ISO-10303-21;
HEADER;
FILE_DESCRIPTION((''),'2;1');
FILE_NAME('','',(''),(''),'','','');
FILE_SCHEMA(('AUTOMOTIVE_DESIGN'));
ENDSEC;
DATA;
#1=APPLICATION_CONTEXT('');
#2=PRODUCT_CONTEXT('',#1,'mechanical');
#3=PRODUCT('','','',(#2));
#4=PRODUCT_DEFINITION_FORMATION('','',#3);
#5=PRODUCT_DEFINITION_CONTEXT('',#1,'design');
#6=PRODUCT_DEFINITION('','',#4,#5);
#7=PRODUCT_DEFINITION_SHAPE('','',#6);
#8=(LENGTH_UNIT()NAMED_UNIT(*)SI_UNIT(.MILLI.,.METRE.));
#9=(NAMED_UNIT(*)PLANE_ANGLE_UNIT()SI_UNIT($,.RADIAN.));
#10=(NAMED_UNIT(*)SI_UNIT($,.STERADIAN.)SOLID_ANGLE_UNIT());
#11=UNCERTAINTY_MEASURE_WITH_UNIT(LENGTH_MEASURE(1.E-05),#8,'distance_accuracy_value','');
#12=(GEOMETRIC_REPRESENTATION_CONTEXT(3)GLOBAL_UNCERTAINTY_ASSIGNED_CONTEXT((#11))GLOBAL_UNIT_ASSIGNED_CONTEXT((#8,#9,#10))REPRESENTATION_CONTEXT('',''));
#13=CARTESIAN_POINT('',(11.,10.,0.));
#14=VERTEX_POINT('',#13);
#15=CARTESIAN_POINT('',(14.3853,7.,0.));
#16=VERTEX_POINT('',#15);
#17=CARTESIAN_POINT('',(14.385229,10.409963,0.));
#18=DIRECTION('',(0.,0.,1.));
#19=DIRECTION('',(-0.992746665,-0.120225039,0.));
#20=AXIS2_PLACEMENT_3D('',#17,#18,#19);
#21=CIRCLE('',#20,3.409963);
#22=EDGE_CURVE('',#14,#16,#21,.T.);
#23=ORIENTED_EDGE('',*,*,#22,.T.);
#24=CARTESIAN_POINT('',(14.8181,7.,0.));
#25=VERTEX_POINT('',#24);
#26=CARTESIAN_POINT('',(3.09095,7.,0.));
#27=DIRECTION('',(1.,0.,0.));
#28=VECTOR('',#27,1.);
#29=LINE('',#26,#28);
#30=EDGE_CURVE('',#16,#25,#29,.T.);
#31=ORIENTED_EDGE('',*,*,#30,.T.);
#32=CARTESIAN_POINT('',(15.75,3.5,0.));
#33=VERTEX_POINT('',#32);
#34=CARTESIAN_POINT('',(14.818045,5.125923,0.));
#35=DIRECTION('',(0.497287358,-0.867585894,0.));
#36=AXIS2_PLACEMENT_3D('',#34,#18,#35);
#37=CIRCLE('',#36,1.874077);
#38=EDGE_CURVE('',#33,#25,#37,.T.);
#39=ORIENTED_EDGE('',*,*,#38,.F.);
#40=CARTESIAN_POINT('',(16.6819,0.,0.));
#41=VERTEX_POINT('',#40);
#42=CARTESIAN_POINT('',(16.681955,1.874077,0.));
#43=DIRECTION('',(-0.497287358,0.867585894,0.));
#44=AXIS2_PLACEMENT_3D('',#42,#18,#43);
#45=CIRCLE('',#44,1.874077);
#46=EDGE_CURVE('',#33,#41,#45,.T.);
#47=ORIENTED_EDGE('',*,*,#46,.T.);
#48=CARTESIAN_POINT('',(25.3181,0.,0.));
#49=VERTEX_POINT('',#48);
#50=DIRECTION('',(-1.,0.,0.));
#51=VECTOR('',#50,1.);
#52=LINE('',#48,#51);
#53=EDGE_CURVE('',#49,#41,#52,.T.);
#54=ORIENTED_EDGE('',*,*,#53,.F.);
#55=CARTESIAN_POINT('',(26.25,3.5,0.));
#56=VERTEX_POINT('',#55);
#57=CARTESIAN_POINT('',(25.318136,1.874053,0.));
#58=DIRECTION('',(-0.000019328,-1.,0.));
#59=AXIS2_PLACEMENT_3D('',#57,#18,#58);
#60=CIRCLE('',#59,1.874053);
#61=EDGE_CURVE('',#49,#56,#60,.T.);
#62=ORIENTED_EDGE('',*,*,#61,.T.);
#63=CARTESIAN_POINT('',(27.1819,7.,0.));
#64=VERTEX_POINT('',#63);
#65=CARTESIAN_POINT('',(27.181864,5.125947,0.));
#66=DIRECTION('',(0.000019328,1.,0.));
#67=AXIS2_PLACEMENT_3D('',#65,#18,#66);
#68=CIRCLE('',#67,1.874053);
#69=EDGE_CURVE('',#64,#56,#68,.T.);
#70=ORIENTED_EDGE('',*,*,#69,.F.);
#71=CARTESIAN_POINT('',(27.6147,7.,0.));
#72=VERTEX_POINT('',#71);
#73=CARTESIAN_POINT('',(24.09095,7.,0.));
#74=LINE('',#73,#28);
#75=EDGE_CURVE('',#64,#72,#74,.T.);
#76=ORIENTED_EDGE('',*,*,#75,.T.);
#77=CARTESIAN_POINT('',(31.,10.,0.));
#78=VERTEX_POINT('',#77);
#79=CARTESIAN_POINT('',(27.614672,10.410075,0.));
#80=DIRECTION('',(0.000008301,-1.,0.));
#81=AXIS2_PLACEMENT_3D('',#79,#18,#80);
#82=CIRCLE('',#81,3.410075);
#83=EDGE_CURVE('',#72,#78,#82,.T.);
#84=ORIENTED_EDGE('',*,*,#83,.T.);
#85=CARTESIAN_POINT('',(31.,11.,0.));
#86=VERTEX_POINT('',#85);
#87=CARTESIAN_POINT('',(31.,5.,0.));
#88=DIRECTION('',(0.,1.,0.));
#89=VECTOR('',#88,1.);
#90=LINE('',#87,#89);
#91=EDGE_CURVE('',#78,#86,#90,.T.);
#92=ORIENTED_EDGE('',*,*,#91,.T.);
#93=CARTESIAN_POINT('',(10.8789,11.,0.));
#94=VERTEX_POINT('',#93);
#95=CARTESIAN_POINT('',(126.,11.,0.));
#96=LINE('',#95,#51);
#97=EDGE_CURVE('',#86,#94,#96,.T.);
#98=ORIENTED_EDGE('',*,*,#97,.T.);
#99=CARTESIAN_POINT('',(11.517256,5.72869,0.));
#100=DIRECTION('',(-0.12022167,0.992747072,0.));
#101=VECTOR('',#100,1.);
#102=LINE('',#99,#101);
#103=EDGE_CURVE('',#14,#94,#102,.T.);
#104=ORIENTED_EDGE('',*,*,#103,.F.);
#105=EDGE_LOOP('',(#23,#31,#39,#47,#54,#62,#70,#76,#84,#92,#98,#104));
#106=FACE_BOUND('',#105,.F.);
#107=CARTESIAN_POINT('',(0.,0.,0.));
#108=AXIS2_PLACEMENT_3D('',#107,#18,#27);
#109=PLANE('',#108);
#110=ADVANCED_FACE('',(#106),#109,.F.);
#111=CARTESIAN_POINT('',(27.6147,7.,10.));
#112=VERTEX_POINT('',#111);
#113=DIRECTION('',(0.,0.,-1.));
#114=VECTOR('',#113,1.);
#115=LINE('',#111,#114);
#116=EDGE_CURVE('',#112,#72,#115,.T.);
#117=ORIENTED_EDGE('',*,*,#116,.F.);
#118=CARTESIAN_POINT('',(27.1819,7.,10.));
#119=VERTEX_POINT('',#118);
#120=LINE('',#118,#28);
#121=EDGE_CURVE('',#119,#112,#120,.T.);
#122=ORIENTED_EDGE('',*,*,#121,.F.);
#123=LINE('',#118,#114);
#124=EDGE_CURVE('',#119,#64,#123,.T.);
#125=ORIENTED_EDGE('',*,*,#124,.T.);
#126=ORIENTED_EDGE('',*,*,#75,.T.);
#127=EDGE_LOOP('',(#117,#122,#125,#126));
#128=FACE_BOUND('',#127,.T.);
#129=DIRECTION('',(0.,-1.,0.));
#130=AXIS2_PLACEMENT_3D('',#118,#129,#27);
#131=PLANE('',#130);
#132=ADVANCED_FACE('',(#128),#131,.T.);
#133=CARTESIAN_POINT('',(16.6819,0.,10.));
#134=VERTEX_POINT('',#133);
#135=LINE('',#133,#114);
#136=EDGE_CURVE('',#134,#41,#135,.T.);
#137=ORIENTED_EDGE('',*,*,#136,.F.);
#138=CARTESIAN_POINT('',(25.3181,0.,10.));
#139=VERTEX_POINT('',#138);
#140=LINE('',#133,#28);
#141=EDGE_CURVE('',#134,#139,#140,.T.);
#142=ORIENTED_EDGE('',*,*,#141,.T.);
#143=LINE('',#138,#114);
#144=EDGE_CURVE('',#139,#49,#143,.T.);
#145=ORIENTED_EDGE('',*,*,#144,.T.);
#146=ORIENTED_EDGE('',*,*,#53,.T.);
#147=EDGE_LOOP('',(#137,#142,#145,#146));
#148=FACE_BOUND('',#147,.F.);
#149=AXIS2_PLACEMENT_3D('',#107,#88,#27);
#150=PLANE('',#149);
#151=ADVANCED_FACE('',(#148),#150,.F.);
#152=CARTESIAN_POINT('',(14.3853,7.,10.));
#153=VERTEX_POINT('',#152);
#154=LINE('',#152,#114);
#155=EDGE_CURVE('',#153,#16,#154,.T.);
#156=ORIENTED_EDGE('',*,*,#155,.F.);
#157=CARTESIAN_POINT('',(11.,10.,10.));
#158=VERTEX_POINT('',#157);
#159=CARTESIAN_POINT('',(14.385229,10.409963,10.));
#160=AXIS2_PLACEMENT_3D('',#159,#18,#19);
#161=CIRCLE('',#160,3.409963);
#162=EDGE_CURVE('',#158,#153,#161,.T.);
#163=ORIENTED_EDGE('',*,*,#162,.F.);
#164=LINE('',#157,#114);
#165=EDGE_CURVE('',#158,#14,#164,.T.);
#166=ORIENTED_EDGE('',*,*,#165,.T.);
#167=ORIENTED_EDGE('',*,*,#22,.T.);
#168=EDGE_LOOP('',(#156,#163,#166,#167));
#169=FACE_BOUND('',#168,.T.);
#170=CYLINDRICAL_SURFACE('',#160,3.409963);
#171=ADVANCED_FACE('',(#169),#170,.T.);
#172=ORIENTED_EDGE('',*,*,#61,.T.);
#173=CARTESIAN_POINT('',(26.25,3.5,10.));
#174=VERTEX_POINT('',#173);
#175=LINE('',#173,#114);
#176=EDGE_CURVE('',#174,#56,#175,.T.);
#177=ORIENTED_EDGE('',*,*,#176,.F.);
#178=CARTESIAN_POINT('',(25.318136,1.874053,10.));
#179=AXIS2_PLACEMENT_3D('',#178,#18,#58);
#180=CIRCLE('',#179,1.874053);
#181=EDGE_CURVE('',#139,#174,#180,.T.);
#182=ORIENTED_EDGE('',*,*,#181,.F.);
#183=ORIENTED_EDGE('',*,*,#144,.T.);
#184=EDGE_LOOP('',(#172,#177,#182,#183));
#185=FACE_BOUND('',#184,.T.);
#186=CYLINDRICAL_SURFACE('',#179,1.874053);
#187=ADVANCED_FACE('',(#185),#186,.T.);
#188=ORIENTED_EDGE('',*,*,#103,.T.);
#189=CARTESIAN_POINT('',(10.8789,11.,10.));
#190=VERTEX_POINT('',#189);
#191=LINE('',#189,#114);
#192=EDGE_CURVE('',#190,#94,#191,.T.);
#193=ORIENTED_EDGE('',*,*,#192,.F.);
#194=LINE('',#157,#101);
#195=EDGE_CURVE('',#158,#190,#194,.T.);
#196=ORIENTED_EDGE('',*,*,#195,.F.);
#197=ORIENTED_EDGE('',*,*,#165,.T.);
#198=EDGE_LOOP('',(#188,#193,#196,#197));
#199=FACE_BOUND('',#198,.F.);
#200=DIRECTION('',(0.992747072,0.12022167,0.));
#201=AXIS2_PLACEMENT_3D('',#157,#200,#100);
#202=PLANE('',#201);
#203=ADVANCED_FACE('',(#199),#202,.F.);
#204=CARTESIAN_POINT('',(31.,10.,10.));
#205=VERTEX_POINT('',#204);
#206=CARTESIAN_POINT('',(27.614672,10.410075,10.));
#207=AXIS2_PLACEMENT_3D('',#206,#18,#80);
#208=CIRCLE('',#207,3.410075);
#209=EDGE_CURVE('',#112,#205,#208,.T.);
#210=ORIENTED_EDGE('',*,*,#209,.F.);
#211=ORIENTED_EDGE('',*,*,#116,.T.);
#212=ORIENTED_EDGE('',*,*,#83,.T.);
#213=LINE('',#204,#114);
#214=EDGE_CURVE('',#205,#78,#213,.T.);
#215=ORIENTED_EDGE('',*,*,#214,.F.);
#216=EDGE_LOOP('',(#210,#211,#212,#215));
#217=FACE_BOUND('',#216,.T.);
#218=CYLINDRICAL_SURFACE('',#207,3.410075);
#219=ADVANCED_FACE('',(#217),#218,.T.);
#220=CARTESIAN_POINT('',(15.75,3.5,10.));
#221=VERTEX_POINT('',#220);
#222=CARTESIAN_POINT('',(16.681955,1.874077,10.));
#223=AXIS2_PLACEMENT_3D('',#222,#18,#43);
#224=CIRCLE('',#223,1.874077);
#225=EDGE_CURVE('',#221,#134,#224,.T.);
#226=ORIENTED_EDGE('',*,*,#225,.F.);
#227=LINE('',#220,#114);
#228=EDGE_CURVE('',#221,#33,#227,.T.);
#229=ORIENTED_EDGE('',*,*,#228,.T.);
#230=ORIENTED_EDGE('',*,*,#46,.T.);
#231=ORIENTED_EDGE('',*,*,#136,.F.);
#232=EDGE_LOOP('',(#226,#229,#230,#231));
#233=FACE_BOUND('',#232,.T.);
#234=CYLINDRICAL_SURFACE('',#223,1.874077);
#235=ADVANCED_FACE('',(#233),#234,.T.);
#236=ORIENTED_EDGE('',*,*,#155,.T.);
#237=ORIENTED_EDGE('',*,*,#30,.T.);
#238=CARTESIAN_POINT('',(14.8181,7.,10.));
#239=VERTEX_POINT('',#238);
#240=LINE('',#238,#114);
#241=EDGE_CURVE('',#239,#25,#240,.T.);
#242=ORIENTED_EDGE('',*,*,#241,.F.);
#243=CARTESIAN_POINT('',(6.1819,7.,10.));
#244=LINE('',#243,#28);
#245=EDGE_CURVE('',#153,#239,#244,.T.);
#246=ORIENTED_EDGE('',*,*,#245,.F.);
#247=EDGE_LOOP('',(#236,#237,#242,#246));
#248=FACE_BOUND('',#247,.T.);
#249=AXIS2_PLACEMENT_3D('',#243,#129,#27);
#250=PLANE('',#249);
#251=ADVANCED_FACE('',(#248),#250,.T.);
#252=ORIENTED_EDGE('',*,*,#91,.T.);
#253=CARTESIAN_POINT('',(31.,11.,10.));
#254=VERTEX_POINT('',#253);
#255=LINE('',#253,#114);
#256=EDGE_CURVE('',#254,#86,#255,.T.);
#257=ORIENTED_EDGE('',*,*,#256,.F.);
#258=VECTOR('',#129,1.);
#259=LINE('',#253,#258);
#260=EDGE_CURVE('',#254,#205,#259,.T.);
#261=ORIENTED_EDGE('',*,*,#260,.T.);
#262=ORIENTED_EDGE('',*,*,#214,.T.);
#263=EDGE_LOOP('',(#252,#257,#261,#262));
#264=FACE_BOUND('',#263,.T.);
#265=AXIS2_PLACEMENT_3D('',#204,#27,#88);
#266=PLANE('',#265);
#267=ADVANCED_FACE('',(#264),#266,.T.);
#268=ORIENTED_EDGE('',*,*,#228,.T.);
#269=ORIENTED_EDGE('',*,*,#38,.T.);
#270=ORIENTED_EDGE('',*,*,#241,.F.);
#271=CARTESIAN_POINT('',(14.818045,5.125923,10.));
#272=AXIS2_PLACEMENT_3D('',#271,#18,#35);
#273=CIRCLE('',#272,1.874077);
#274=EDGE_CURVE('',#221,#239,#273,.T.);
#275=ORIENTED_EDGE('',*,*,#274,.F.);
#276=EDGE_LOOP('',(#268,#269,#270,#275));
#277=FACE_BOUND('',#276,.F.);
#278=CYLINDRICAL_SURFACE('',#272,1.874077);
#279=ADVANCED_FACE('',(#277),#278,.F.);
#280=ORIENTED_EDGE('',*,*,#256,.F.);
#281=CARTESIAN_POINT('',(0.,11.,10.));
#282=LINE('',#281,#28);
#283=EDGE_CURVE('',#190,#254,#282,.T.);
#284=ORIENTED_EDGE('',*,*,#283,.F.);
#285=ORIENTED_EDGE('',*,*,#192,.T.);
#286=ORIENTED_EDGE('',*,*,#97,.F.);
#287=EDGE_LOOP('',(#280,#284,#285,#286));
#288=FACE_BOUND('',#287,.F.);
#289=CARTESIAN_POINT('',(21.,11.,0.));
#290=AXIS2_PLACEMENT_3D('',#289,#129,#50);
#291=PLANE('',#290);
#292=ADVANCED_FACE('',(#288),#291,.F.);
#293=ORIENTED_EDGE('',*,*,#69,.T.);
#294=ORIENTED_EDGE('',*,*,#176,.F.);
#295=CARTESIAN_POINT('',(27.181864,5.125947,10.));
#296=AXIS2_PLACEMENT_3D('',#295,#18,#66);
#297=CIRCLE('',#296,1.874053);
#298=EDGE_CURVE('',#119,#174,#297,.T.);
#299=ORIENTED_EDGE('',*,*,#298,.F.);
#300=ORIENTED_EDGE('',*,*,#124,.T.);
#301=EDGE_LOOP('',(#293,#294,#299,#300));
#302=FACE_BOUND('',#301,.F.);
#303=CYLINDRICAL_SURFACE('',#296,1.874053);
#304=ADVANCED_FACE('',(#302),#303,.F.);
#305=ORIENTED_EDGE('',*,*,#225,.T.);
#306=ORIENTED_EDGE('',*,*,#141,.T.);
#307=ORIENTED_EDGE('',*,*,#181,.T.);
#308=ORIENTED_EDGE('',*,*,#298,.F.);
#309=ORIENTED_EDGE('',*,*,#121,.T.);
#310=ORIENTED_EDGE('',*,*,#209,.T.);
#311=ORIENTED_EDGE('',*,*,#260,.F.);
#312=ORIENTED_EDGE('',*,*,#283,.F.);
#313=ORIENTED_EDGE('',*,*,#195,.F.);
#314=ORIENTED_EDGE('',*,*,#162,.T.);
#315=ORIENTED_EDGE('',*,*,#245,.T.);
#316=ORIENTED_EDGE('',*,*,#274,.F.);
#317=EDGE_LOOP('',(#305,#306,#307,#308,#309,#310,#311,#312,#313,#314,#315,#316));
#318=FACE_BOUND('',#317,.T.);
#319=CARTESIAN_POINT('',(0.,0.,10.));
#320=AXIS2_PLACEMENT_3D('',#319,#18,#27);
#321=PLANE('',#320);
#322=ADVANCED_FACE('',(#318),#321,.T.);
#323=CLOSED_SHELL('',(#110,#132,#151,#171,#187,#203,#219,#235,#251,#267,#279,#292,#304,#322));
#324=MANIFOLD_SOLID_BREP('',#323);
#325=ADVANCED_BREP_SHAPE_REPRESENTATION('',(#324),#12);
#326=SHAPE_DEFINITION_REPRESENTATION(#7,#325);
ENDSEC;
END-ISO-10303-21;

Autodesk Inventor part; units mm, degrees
ref_plane "YZ Plane" through (0, 0, 0) normal (1, 0, 0) x (0, 1, 0)
ref_plane "XZ Plane" through (0, 0, 0) normal (0, 1, 0) x (-1, 0, 0)
ref_plane "XY Plane" through (0, 0, 0) normal (0, 0, 1) x (1, 0, 0)
sketch "Sketch1" plane through (0, 0, 0) normal (0, 0, 1) x (1, 0, 0)
  line L0 (0, 0) -> (21, 0)
  line L1 (21, 0) -> (21, 11)
  line L2 (21, 11) -> (0, 11)
  line L3 (0, 11) -> (0, 0)
  dimension "d0" = 21
  dimension "d1" = 11
extrude "Extrusion1" add sketch "Sketch1" along normal blind 10
sketch "Sketch2" plane through (0, 0, 10) normal (0, 0, 1) x (1, 0, 0)
  line L0 (0, 0) -> (21, 0) projected
  arc A0 (4.3181, 0) -> (5.25, 3.5) centre (4.3181, 1.8741) ccw
  arc A1 (6.1819, 7) -> (5.25, 3.5) centre (6.1819, 5.1259) ccw
  arc A2 (15.75, 3.5) -> (16.6819, 0) centre (16.6819, 1.8741) ccw
  arc A3 (15.75, 3.5) -> (14.8181, 7) centre (14.8181, 5.1259) ccw
  line L1 (6.1819, 7) -> (14.8181, 7)
  line L2 (21, 11) -> (0, 11) projected
  line L3 (4.3181, 1.8741) -> (6.1819, 5.1259) construction
  line L4 (16.6819, 1.8741) -> (14.8181, 5.1259) construction
  line L5 (0, 11) -> (0, 0) construction
  line L6 (21, 0) -> (21, 11) construction
  point P0 (10.5, 7)
  point P1 (15.75, 3.5)
  dimension "d7" = 10.5
  dimension "d9" = 7
  dimension "d13" = 10.5
extrude "Extrusion2" cut sketch "Sketch2" against normal through all
sketch "Sketch3" plane through (0, 0, 10) normal (0, 0, 1) x (1, 0, 0)
  line L0 (21, 11) -> (0, 11) projected
  line L1 (14.8181, 7) -> (6.1819, 7) projected
  arc A0 (6.6147, 7) -> (10, 10) centre (6.6147, 10.41) ccw
  arc A1 (11, 10) -> (14.3853, 7) centre (14.3853, 10.41) ccw
  line L2 (10, 10) -> (11, 10)
  line L3 (6.1819, 7) -> (14.8181, 7) projected
  line L4 (10.5, 10) -> (10.5, 11) construction
  point P0 (0, 0)
  dimension "d15" = 1
  dimension "d16" = 1
extrude "Extrusion3" cut sketch "Sketch3" against normal through all
pattern_linear "Rectangular Pattern1" count 6 spacing 21 along (1, 0, 0)
sketch "Sketch4" plane through (0, 0, 10) normal (0, 0, 1) x (1, 0, 0)
  line L0 (115, 10) -> (116, 10) projected
  line L1 (115, 10) -> (115, 11)
  line L2 (126, 11) -> (0, 11) projected
  line L3 (121.6819, 0) -> (126, 0) projected
  line L4 (121.6819, 0) -> (126, 0)
  line L5 (126, 0) -> (126, 11)
  line L6 (126, 0) -> (126, 11) projected
  line L7 (126, 11) -> (115, 11)
  arc A0 (116, 10) -> (119.3853, 7) centre (119.3853, 10.41) ccw projected
  line L8 (115, 10) -> (116, 10)
  line L9 (119.3853, 7) -> (119.8181, 7) projected
  arc A1 (116, 10) -> (119.3853, 7) centre (119.3853, 10.41) ccw
  arc A2 (120.75, 3.5) -> (119.8181, 7) centre (119.8181, 5.1259) ccw projected
  line L10 (119.3853, 7) -> (119.8181, 7)
  arc A3 (120.75, 3.5) -> (119.8181, 7) centre (119.8181, 5.1259) ccw
  arc A4 (120.75, 3.5) -> (121.6819, 0) centre (121.6819, 1.8741) ccw projected
  arc A5 (120.75, 3.5) -> (121.6819, 0) centre (121.6819, 1.8741) ccw
  line L11 (32, 10) -> (31, 10) projected
  line L12 (31, 10) -> (31, 11)
  line L13 (31, 10) -> (31, 0)
  line L14 (31, 0) -> (126, 0)
  line L15 (126, 11) -> (31, 11)
  arc A6 (11, 10) -> (14.3853, 7) centre (14.3853, 10.41) ccw projected
  line L16 (11, 10) -> (10.8789, 11)
  line L17 (10.8789, 11) -> (0, 11)
  line L18 (0, 11) -> (0, 0)
  line L19 (0, 0) -> (11, 0)
  line L20 (11, 0) -> (11, 10)
  point P0 (11, 11)
extrude "Extrusion4" cut sketch "Sketch4" against normal through all
sketch "Sketch5" plane through (0, 0, 10) normal (0, 0, 1) x (1, 0, 0)
  line L0 (31, 11) -> (10.8789, 11) projected
  line L1 (15.75, 3.5) -> (12.112, 9.8474) construction
  arc A0 (15.75, 3.5) -> (16.6819, 0) centre (16.6819, 1.8741) ccw construction
  line L2 (11.7707, 1.2193) -> (15.75, 3.5) construction
  arc A1 (15.75, 3.5) -> (14.8181, 7) centre (14.8181, 5.1259) ccw construction
  line L3 (15.75, 3.5) -> (19.849, 5.8494) construction
  arc A2 (25.3181, 0) -> (26.25, 3.5) centre (25.3181, 1.8741) ccw construction
  line L4 (26.25, 3.5) -> (29.888, 9.8474) construction
  line L5 (23.4673, 5.0949) -> (26.25, 3.5) construction
  line L6 (26.25, 3.5) -> (28.9514, 1.9517) construction
  arc A3 (25.3181, 0) -> (26.25, 3.5) centre (25.3181, 1.8741) ccw construction
  line L7 (12.112, 9.8474) -> (8.7461, 15.7199) construction
  line L8 (29.888, 9.8474) -> (33.5756, 16.2813) construction
  line L9 (21.2593, -5.2075) -> (20.7407, -6.1122) construction
  arc A4 (15.75, 3.5) -> (16.6819, 0) centre (16.6819, 1.8741) ccw construction
  arc A5 (15.75, 3.5) -> (14.8181, 7) centre (14.8181, 5.1259) ccw construction
  arc A6 (27.1819, 7) -> (26.25, 3.5) centre (27.1819, 5.1259) ccw construction
properties part number "Zipperteethv4.2"
